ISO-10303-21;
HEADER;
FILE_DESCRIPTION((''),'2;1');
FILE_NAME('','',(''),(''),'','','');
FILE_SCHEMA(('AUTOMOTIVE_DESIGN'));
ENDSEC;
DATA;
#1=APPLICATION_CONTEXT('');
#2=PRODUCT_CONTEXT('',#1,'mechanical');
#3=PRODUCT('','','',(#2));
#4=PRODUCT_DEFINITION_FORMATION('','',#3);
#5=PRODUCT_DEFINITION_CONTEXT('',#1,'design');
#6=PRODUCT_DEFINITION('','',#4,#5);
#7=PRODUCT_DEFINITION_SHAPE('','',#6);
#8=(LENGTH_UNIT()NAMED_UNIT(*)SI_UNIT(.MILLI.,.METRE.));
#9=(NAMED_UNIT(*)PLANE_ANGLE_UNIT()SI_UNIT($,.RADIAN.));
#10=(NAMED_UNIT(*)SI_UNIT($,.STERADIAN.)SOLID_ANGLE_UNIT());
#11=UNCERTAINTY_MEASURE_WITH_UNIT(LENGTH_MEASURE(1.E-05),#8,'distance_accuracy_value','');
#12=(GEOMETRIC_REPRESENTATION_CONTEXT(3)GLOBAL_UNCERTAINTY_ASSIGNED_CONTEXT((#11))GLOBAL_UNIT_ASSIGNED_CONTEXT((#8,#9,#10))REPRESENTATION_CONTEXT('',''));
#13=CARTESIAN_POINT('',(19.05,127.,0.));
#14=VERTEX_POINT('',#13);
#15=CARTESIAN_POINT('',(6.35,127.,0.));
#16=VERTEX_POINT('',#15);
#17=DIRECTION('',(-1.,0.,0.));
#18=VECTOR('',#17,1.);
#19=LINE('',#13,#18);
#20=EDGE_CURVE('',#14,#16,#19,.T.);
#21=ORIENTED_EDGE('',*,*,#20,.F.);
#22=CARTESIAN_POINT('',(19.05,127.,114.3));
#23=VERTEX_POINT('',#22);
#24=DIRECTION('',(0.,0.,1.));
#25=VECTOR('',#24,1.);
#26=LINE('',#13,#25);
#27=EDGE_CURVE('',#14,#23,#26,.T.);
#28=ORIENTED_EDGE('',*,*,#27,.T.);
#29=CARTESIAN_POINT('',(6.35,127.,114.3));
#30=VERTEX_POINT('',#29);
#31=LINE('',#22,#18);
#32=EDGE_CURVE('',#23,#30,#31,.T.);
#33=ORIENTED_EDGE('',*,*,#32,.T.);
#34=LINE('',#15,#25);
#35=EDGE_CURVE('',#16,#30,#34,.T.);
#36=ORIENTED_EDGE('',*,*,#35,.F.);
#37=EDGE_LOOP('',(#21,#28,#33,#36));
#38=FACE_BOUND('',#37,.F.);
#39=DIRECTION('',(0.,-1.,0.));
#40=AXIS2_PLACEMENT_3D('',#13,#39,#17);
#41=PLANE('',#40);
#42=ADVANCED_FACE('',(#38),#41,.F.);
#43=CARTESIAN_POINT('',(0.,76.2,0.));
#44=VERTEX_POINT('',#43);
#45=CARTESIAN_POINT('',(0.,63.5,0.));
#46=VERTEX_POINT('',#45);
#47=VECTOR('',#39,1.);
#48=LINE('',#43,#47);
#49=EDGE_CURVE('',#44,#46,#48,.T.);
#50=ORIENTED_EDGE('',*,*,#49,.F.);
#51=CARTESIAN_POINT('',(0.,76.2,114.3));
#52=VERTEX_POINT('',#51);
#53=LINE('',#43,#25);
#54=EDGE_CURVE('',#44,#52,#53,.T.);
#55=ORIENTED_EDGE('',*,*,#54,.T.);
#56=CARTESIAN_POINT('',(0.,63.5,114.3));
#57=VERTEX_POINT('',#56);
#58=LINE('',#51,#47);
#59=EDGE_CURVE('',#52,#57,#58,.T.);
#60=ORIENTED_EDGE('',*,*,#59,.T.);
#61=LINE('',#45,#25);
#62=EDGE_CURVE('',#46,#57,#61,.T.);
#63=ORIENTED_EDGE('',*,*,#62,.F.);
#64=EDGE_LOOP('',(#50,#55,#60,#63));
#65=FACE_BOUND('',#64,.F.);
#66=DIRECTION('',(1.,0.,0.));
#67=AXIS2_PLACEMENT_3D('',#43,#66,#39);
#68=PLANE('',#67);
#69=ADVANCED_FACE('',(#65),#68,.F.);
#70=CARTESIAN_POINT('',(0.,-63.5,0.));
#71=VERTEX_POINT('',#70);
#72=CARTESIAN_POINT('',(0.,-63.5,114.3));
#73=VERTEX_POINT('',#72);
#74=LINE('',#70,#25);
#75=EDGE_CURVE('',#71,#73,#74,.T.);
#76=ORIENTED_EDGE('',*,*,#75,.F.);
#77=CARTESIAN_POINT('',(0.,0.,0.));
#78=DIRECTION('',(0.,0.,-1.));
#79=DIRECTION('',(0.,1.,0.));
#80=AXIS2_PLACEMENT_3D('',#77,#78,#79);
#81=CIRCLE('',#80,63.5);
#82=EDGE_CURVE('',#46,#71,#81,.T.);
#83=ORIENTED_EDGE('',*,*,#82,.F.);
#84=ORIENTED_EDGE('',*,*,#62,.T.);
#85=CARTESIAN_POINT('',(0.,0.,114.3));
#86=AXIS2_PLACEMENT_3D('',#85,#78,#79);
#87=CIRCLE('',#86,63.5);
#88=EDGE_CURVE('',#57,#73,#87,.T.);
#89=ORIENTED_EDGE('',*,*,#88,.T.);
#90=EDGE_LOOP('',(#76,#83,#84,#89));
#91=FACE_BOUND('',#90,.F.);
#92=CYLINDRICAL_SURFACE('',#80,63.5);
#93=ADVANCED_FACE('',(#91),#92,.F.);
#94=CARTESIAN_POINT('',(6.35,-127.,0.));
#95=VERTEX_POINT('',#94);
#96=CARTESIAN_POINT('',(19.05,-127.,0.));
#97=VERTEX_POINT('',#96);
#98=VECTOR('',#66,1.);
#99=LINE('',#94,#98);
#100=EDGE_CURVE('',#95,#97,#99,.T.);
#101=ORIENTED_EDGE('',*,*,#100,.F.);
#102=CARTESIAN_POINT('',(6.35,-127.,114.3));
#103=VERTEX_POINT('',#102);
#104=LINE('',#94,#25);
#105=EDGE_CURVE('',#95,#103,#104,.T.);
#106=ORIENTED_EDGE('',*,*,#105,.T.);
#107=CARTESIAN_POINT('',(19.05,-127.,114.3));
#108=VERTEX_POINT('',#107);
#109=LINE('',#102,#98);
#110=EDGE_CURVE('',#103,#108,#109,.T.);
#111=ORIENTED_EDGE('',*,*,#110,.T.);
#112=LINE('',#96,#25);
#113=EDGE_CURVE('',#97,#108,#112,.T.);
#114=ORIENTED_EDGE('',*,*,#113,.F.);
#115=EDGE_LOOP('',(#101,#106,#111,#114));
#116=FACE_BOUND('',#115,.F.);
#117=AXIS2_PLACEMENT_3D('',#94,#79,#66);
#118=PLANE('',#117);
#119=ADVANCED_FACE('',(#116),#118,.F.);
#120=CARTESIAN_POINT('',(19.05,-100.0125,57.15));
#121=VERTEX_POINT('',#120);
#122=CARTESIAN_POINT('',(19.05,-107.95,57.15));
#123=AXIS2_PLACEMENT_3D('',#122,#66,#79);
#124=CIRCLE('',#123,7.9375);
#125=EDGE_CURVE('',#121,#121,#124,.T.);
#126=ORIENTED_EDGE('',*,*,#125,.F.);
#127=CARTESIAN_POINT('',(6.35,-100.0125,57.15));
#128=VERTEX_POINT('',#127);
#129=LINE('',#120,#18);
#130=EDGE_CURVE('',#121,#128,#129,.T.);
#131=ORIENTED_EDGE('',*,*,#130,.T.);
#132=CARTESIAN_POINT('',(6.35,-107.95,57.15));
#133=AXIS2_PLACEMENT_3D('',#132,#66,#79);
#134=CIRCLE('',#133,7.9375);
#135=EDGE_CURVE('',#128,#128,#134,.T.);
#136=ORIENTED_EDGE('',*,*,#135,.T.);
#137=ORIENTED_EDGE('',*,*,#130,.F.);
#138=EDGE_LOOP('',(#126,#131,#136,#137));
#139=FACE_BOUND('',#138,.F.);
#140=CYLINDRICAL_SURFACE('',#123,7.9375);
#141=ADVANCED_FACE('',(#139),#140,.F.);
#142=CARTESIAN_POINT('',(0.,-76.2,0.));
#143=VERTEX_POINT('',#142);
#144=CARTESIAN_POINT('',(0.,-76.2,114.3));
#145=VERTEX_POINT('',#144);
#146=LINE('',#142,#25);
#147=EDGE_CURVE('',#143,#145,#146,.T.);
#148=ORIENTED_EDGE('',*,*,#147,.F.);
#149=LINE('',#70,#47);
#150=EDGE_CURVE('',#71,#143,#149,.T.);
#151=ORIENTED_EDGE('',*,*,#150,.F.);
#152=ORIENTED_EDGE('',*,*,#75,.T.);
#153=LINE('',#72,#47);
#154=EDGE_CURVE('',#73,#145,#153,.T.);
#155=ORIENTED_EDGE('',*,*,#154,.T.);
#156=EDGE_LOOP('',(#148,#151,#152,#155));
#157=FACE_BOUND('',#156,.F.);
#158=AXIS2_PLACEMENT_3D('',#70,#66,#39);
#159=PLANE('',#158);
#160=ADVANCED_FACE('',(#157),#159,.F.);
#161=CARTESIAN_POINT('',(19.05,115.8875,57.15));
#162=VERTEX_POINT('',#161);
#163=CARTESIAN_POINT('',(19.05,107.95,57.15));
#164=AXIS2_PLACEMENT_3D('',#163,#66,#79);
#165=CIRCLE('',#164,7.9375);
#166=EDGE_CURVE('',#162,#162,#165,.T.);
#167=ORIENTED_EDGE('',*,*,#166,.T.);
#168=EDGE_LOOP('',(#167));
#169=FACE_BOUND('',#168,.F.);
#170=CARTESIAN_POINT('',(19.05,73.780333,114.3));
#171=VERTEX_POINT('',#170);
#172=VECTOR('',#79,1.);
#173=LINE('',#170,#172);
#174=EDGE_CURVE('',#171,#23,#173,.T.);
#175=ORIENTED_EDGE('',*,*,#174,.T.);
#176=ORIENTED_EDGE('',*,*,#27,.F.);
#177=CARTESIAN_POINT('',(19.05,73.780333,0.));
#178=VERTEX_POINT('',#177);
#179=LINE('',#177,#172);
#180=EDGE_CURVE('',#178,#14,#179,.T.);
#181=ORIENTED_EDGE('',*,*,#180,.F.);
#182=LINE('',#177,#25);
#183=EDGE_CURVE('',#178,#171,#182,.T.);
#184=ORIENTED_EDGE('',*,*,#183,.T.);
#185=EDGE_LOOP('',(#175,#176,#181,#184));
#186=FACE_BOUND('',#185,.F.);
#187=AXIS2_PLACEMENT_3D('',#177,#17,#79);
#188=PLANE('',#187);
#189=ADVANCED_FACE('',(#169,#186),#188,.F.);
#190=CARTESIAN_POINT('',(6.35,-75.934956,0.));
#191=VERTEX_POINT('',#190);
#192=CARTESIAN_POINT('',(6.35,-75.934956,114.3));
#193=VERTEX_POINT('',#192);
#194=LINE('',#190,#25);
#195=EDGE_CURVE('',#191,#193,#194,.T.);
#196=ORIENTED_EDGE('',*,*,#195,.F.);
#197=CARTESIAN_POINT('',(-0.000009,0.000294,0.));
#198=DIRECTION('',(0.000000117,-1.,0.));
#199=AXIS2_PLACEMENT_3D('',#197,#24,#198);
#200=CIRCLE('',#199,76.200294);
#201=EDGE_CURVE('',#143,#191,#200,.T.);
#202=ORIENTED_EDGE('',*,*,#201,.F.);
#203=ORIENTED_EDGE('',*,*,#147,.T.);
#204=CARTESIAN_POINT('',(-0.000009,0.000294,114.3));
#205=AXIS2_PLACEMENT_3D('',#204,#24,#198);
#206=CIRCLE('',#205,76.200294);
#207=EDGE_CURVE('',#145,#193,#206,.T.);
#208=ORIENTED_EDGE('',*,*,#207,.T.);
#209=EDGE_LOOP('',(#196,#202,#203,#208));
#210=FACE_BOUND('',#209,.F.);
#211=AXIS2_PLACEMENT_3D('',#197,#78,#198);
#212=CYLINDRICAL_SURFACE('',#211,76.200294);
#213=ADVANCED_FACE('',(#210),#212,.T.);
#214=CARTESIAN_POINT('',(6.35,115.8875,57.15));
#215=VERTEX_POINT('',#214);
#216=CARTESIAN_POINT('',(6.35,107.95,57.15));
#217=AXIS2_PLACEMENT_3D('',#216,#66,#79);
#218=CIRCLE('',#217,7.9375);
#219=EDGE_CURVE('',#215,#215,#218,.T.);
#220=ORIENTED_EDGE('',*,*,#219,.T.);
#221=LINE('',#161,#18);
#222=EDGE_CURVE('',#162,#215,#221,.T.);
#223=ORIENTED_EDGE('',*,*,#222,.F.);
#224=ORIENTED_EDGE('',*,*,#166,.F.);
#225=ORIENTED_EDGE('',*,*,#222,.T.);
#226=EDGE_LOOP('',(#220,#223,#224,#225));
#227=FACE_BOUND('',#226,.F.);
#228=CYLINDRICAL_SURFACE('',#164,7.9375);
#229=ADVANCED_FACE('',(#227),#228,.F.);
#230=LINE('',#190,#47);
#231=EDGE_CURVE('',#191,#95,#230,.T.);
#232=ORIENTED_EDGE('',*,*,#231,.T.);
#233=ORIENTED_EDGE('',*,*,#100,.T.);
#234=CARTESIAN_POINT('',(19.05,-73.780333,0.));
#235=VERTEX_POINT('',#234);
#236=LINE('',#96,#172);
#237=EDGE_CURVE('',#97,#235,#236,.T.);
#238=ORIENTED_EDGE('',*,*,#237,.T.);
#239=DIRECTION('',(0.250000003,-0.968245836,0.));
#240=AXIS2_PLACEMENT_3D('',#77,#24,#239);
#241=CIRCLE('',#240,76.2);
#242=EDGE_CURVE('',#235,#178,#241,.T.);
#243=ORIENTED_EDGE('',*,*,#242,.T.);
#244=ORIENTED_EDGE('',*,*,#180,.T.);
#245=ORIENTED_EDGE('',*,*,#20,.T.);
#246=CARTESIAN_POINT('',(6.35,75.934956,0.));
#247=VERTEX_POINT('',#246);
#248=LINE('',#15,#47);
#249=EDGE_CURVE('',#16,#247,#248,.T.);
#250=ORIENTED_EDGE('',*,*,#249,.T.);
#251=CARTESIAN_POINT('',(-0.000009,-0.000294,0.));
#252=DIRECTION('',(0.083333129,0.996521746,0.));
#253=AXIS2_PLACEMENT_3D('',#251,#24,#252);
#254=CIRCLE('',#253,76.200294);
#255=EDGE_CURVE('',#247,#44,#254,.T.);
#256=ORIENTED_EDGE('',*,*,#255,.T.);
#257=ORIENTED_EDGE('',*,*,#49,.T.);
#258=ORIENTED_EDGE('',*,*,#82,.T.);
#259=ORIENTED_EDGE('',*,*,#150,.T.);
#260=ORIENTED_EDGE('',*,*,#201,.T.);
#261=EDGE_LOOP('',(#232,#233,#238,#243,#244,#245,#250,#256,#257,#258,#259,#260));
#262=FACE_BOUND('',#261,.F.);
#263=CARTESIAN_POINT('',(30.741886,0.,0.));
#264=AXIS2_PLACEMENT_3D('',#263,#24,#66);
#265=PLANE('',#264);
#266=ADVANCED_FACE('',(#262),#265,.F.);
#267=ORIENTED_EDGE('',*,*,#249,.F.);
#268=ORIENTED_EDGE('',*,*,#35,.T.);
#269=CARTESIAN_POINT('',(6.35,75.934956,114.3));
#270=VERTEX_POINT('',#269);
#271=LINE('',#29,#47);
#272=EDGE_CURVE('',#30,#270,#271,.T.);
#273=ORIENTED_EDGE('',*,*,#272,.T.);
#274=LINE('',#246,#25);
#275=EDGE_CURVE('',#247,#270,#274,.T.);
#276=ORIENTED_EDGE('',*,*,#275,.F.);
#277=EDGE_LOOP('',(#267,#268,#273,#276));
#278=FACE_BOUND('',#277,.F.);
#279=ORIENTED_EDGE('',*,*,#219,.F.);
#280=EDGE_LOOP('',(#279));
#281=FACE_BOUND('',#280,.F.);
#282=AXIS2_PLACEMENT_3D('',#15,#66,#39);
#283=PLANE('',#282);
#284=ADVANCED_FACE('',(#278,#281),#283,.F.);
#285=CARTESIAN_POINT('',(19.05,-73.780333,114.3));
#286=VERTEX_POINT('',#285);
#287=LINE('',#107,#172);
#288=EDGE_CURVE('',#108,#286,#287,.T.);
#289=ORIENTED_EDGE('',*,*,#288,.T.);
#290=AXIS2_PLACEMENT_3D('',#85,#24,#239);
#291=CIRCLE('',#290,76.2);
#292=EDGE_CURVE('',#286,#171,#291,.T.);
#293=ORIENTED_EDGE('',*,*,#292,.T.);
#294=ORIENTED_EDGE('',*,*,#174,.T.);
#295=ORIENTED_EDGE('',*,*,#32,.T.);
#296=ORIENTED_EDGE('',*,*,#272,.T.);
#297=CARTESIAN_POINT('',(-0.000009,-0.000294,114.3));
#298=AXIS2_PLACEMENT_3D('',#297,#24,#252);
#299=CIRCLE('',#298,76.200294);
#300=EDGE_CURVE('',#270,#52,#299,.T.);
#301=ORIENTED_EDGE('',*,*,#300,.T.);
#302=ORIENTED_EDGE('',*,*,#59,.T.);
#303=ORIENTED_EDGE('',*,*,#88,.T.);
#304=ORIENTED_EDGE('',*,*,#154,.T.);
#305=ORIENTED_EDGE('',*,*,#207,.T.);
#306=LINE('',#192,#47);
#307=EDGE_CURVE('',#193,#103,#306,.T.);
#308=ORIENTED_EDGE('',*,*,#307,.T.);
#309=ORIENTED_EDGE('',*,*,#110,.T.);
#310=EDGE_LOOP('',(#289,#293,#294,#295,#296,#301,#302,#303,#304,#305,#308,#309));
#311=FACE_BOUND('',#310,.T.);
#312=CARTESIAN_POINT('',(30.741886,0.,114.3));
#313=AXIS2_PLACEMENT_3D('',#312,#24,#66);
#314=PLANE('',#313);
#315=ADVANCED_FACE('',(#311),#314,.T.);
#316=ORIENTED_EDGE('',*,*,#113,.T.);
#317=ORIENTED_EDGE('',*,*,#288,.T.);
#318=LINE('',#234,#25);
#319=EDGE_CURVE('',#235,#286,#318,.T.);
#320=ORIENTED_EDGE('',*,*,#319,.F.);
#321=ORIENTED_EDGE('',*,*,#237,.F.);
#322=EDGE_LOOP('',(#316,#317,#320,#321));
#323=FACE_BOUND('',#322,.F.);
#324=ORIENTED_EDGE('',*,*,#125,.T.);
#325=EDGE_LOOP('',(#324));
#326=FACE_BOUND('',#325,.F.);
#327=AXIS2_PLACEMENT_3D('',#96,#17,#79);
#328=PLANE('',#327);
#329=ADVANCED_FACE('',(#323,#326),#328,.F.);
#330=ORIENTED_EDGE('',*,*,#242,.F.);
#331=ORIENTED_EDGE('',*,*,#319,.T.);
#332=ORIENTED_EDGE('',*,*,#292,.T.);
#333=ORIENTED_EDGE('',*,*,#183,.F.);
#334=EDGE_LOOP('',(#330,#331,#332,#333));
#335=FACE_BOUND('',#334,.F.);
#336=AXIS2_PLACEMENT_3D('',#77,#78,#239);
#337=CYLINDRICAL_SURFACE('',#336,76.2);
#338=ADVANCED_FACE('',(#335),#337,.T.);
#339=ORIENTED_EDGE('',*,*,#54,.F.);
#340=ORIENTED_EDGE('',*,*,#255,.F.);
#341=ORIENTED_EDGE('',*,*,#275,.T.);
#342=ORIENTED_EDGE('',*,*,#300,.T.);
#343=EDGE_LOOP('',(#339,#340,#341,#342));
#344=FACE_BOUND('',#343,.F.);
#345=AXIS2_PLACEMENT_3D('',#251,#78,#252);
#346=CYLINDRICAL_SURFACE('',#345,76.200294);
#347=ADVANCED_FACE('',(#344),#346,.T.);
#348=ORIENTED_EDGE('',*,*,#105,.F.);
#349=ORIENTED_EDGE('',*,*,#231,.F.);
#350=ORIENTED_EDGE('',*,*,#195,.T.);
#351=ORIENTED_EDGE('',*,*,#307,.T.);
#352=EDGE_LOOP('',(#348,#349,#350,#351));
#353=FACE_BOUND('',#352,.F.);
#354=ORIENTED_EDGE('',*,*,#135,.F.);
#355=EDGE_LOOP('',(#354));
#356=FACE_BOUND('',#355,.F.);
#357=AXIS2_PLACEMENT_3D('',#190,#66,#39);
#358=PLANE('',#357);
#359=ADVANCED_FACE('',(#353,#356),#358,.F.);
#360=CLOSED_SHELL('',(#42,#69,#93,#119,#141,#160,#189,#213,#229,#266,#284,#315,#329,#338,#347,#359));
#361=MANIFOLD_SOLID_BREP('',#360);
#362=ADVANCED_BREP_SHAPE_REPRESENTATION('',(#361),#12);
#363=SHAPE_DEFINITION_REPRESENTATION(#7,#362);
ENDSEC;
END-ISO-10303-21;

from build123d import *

# Parameters (mm, degrees)
F1_DEPTH = 114.3
F2_R     = 7.9375
F3_DEPTH = 19.051


with BuildPart() as f1:
    # F0 (on Top) → F1 (new body)
    with BuildSketch(Plane.XY):
        with BuildLine():
            ThreePointArc((0, 63.5), (63.5, 0), (0, -63.5))
            Line((0, -63.5), (0, -76.2))
            ThreePointArc((0, -76.2), (3.177764, -76.13371), (6.35, -75.934956))
            Line((6.35, -75.934956), (6.35, -127))
            Line((6.35, -127), (19.05, -127))
            Line((19.05, -127), (19.05, -73.780333))
            ThreePointArc((19.05, -73.780333), (76.2, 0), (19.05, 73.780333))
            Line((19.05, 73.780333), (19.05, 127))
            Line((19.05, 127), (6.35, 127))
            Line((6.35, 127), (6.35, 75.934956))
            ThreePointArc((6.35, 75.934956), (3.177764, 76.13371), (0, 76.2))
            Line((0, 76.2), (0, 63.5))
        make_face()
    extrude(amount=F1_DEPTH)

    # F2 (on face) → F3 (cut, through all)
    with BuildSketch(Plane.YZ.offset(19.05)):
        with Locations((-107.95, 57.15)):
            Circle(F2_R)
        with Locations((107.95, 57.15)):
            Circle(F2_R)
    extrude(amount=-F3_DEPTH, mode=Mode.SUBTRACT)


solid = f1.part
